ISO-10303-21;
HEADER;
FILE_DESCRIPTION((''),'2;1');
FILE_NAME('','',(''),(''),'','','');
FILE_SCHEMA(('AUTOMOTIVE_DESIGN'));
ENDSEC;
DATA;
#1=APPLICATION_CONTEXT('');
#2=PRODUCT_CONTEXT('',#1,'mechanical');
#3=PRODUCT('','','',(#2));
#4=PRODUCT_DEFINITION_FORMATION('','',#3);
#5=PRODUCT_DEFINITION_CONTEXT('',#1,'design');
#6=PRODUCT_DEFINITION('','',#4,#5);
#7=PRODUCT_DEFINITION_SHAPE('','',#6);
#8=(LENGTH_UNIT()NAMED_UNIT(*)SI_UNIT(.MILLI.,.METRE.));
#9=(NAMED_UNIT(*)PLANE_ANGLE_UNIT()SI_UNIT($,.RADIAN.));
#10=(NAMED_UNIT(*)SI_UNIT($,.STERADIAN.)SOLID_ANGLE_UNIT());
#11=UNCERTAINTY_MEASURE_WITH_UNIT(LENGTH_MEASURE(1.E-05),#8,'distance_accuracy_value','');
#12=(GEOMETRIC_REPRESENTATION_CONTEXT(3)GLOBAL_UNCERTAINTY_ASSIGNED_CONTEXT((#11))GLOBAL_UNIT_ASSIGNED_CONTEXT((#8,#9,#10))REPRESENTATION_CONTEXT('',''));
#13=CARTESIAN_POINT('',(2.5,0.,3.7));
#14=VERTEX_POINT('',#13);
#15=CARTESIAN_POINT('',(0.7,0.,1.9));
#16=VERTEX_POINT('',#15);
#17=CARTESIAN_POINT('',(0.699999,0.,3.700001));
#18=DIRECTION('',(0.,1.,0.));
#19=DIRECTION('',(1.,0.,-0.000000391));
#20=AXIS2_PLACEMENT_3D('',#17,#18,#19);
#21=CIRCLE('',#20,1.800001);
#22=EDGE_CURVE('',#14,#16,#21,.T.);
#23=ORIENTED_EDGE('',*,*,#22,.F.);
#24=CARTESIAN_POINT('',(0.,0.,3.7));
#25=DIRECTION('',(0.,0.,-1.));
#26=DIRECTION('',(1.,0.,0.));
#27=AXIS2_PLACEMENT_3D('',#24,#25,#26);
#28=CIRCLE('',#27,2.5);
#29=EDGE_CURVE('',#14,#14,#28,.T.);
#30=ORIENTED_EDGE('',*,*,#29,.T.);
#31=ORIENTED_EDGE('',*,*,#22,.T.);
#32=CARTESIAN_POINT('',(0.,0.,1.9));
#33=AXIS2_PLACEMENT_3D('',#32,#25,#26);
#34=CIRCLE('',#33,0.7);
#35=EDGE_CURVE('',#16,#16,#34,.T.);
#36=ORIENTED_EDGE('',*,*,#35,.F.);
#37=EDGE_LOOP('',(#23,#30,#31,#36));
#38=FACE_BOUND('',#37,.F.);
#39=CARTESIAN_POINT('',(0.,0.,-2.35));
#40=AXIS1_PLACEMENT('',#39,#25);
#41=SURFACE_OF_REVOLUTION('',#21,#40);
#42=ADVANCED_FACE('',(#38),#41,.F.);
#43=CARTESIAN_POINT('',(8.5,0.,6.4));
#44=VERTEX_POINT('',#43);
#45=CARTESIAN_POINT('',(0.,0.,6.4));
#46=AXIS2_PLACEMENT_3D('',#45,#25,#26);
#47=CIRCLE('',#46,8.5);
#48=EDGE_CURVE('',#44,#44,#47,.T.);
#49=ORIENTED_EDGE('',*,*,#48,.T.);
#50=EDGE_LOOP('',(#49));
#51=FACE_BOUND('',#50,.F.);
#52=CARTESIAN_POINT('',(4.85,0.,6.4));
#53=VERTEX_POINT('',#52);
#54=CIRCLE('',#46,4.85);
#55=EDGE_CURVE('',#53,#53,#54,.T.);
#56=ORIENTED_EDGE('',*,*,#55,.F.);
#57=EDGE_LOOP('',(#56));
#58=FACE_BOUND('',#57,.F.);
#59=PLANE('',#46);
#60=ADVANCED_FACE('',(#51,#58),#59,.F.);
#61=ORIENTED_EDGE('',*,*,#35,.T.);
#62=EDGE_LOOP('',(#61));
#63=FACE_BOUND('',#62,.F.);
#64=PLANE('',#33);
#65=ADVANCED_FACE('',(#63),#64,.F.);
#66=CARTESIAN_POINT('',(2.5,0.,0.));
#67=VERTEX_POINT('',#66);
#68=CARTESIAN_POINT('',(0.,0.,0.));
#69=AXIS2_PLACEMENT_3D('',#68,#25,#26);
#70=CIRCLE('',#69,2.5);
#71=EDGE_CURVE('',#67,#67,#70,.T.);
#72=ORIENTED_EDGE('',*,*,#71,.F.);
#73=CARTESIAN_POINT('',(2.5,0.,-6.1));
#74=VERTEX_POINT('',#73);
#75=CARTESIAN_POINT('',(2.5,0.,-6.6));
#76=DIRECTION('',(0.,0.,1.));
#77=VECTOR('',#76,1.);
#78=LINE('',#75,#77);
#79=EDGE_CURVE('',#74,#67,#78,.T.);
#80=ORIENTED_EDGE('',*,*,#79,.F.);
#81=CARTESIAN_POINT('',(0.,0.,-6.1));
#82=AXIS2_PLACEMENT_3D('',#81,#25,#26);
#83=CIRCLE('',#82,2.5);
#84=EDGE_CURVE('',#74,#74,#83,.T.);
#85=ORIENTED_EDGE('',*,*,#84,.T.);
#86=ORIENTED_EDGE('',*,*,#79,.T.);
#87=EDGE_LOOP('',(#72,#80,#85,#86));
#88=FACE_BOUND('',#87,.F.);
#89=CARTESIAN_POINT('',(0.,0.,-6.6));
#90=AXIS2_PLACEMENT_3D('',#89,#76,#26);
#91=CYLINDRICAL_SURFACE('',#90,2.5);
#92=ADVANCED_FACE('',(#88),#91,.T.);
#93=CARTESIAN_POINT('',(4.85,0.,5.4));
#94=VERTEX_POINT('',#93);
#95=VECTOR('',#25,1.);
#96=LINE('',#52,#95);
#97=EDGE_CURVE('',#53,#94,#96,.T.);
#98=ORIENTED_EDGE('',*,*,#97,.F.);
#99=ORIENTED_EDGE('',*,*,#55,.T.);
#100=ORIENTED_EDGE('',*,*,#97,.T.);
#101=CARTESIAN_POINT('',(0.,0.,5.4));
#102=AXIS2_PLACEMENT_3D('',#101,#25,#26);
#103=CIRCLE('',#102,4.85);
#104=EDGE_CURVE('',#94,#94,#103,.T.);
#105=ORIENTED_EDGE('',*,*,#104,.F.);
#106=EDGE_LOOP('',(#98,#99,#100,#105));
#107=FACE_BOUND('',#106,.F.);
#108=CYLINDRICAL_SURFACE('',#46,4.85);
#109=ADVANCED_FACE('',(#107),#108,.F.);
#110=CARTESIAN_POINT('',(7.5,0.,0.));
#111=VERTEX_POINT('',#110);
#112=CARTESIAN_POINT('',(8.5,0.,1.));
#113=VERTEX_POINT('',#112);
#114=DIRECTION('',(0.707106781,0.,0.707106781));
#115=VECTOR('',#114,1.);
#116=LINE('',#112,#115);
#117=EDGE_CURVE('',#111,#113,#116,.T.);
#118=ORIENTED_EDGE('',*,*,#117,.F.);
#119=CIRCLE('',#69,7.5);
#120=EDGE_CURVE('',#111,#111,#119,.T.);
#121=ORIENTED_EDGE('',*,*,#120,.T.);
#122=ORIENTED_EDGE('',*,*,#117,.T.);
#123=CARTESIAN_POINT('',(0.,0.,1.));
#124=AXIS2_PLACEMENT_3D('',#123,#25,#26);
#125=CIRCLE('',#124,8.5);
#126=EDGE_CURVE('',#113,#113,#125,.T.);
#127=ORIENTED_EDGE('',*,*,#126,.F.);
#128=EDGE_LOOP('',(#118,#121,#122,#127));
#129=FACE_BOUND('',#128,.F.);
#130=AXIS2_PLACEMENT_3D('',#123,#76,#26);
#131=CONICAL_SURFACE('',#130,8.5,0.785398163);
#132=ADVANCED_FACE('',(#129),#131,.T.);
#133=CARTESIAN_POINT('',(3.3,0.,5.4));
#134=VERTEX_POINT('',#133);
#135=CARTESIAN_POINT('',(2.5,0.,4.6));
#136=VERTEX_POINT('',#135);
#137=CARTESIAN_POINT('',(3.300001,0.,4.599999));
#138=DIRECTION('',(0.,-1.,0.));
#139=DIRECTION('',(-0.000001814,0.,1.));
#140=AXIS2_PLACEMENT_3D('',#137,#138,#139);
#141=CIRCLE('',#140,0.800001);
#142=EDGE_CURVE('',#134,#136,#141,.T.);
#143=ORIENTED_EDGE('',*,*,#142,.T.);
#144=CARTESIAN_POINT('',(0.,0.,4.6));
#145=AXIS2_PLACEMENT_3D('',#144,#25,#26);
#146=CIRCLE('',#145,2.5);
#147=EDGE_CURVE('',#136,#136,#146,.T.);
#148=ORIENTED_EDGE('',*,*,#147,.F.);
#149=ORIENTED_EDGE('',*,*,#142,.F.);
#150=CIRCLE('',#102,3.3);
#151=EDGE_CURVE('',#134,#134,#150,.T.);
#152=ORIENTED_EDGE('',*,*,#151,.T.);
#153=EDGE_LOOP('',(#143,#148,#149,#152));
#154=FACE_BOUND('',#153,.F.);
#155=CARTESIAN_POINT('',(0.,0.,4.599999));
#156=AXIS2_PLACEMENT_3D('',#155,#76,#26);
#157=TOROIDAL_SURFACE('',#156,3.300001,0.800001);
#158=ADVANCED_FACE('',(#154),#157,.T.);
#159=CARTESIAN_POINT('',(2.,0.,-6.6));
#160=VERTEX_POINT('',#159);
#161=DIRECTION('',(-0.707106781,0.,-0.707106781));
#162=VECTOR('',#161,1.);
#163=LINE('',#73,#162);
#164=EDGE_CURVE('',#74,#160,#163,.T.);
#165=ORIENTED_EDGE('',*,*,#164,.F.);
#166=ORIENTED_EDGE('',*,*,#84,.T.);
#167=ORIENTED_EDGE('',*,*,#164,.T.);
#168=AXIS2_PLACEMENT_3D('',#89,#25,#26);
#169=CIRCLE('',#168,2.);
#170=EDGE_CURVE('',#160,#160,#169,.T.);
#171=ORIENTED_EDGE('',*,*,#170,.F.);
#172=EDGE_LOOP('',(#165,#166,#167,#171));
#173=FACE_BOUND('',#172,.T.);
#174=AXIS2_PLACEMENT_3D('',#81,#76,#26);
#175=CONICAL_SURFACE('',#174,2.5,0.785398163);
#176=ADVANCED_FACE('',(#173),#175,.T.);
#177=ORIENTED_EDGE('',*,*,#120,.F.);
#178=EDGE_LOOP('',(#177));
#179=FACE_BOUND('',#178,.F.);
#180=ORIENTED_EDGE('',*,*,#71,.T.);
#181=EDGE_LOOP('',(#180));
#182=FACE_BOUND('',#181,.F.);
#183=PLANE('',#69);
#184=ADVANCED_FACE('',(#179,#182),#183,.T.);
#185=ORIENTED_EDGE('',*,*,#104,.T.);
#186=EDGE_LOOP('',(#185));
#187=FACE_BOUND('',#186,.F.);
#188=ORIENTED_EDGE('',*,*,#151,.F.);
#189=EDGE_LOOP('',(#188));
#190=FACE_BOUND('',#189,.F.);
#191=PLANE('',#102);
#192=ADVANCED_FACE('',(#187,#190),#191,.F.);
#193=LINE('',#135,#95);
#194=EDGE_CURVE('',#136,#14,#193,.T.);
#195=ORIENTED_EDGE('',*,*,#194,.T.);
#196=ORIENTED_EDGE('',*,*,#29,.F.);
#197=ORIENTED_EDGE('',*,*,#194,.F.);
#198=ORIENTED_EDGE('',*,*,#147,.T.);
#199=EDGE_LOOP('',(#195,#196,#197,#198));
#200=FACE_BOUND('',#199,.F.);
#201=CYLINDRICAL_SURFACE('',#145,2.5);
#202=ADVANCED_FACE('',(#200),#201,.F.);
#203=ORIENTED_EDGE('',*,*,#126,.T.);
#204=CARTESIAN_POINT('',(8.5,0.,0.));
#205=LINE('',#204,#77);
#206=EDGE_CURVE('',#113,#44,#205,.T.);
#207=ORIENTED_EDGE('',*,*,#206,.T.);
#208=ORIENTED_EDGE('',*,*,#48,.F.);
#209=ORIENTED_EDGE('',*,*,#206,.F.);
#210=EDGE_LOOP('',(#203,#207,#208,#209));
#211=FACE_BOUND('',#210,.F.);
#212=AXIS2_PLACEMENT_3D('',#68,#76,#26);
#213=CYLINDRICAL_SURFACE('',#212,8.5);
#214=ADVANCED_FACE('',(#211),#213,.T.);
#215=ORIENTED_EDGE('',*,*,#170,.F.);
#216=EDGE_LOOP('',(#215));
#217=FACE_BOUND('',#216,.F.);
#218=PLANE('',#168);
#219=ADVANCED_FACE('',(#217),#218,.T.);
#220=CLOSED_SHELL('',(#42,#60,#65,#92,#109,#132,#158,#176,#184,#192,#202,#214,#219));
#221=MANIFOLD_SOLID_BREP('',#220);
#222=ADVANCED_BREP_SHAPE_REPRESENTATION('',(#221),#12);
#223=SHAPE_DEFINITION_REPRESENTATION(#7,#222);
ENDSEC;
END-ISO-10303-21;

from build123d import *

# Parameters (mm, degrees)
F2_SIZE = 1
F3_SIZE = 0.5


with BuildPart() as f1:
    # F0 (on Front) → F1 (revolve)
    with BuildSketch(Plane.XZ):
        with BuildLine():
            Line((4.85, 5.4), (3.3, 5.4))
            ThreePointArc((3.3, 5.4), (2.734315, 5.165685), (2.5, 4.6))
            Line((2.5, 4.6), (2.5, 3.7))
            ThreePointArc((2.5, 3.7), (1.972792, 2.427208), (0.7, 1.9))
            Line((0.7, 1.9), (0, 1.9))
            Line((0, 1.9), (0, -6.6))
            Line((0, -6.6), (2.5, -6.6))
            Line((2.5, -6.6), (2.5, 0))
            Line((2.5, 0), (8.5, 0))
            Line((8.5, 0), (8.5, 6.4))
            Line((8.5, 6.4), (4.85, 6.4))
            Line((4.85, 6.4), (4.85, 5.4))
        make_face()
    revolve(axis=Axis((0, 0, -2.35), (0, 0, -1)))

    # F2
    f2_edges = [f1.edges().sort_by_distance(p)[0] for p in [
        (-8.5, 0, 0),
    ]]
    chamfer(f2_edges, length=F2_SIZE)

    # F3
    f3_edges = [f1.edges().sort_by_distance(p)[0] for p in [
        (-2.5, 0, -6.6),
    ]]
    chamfer(f3_edges, length=F3_SIZE)


solid = f1.part
